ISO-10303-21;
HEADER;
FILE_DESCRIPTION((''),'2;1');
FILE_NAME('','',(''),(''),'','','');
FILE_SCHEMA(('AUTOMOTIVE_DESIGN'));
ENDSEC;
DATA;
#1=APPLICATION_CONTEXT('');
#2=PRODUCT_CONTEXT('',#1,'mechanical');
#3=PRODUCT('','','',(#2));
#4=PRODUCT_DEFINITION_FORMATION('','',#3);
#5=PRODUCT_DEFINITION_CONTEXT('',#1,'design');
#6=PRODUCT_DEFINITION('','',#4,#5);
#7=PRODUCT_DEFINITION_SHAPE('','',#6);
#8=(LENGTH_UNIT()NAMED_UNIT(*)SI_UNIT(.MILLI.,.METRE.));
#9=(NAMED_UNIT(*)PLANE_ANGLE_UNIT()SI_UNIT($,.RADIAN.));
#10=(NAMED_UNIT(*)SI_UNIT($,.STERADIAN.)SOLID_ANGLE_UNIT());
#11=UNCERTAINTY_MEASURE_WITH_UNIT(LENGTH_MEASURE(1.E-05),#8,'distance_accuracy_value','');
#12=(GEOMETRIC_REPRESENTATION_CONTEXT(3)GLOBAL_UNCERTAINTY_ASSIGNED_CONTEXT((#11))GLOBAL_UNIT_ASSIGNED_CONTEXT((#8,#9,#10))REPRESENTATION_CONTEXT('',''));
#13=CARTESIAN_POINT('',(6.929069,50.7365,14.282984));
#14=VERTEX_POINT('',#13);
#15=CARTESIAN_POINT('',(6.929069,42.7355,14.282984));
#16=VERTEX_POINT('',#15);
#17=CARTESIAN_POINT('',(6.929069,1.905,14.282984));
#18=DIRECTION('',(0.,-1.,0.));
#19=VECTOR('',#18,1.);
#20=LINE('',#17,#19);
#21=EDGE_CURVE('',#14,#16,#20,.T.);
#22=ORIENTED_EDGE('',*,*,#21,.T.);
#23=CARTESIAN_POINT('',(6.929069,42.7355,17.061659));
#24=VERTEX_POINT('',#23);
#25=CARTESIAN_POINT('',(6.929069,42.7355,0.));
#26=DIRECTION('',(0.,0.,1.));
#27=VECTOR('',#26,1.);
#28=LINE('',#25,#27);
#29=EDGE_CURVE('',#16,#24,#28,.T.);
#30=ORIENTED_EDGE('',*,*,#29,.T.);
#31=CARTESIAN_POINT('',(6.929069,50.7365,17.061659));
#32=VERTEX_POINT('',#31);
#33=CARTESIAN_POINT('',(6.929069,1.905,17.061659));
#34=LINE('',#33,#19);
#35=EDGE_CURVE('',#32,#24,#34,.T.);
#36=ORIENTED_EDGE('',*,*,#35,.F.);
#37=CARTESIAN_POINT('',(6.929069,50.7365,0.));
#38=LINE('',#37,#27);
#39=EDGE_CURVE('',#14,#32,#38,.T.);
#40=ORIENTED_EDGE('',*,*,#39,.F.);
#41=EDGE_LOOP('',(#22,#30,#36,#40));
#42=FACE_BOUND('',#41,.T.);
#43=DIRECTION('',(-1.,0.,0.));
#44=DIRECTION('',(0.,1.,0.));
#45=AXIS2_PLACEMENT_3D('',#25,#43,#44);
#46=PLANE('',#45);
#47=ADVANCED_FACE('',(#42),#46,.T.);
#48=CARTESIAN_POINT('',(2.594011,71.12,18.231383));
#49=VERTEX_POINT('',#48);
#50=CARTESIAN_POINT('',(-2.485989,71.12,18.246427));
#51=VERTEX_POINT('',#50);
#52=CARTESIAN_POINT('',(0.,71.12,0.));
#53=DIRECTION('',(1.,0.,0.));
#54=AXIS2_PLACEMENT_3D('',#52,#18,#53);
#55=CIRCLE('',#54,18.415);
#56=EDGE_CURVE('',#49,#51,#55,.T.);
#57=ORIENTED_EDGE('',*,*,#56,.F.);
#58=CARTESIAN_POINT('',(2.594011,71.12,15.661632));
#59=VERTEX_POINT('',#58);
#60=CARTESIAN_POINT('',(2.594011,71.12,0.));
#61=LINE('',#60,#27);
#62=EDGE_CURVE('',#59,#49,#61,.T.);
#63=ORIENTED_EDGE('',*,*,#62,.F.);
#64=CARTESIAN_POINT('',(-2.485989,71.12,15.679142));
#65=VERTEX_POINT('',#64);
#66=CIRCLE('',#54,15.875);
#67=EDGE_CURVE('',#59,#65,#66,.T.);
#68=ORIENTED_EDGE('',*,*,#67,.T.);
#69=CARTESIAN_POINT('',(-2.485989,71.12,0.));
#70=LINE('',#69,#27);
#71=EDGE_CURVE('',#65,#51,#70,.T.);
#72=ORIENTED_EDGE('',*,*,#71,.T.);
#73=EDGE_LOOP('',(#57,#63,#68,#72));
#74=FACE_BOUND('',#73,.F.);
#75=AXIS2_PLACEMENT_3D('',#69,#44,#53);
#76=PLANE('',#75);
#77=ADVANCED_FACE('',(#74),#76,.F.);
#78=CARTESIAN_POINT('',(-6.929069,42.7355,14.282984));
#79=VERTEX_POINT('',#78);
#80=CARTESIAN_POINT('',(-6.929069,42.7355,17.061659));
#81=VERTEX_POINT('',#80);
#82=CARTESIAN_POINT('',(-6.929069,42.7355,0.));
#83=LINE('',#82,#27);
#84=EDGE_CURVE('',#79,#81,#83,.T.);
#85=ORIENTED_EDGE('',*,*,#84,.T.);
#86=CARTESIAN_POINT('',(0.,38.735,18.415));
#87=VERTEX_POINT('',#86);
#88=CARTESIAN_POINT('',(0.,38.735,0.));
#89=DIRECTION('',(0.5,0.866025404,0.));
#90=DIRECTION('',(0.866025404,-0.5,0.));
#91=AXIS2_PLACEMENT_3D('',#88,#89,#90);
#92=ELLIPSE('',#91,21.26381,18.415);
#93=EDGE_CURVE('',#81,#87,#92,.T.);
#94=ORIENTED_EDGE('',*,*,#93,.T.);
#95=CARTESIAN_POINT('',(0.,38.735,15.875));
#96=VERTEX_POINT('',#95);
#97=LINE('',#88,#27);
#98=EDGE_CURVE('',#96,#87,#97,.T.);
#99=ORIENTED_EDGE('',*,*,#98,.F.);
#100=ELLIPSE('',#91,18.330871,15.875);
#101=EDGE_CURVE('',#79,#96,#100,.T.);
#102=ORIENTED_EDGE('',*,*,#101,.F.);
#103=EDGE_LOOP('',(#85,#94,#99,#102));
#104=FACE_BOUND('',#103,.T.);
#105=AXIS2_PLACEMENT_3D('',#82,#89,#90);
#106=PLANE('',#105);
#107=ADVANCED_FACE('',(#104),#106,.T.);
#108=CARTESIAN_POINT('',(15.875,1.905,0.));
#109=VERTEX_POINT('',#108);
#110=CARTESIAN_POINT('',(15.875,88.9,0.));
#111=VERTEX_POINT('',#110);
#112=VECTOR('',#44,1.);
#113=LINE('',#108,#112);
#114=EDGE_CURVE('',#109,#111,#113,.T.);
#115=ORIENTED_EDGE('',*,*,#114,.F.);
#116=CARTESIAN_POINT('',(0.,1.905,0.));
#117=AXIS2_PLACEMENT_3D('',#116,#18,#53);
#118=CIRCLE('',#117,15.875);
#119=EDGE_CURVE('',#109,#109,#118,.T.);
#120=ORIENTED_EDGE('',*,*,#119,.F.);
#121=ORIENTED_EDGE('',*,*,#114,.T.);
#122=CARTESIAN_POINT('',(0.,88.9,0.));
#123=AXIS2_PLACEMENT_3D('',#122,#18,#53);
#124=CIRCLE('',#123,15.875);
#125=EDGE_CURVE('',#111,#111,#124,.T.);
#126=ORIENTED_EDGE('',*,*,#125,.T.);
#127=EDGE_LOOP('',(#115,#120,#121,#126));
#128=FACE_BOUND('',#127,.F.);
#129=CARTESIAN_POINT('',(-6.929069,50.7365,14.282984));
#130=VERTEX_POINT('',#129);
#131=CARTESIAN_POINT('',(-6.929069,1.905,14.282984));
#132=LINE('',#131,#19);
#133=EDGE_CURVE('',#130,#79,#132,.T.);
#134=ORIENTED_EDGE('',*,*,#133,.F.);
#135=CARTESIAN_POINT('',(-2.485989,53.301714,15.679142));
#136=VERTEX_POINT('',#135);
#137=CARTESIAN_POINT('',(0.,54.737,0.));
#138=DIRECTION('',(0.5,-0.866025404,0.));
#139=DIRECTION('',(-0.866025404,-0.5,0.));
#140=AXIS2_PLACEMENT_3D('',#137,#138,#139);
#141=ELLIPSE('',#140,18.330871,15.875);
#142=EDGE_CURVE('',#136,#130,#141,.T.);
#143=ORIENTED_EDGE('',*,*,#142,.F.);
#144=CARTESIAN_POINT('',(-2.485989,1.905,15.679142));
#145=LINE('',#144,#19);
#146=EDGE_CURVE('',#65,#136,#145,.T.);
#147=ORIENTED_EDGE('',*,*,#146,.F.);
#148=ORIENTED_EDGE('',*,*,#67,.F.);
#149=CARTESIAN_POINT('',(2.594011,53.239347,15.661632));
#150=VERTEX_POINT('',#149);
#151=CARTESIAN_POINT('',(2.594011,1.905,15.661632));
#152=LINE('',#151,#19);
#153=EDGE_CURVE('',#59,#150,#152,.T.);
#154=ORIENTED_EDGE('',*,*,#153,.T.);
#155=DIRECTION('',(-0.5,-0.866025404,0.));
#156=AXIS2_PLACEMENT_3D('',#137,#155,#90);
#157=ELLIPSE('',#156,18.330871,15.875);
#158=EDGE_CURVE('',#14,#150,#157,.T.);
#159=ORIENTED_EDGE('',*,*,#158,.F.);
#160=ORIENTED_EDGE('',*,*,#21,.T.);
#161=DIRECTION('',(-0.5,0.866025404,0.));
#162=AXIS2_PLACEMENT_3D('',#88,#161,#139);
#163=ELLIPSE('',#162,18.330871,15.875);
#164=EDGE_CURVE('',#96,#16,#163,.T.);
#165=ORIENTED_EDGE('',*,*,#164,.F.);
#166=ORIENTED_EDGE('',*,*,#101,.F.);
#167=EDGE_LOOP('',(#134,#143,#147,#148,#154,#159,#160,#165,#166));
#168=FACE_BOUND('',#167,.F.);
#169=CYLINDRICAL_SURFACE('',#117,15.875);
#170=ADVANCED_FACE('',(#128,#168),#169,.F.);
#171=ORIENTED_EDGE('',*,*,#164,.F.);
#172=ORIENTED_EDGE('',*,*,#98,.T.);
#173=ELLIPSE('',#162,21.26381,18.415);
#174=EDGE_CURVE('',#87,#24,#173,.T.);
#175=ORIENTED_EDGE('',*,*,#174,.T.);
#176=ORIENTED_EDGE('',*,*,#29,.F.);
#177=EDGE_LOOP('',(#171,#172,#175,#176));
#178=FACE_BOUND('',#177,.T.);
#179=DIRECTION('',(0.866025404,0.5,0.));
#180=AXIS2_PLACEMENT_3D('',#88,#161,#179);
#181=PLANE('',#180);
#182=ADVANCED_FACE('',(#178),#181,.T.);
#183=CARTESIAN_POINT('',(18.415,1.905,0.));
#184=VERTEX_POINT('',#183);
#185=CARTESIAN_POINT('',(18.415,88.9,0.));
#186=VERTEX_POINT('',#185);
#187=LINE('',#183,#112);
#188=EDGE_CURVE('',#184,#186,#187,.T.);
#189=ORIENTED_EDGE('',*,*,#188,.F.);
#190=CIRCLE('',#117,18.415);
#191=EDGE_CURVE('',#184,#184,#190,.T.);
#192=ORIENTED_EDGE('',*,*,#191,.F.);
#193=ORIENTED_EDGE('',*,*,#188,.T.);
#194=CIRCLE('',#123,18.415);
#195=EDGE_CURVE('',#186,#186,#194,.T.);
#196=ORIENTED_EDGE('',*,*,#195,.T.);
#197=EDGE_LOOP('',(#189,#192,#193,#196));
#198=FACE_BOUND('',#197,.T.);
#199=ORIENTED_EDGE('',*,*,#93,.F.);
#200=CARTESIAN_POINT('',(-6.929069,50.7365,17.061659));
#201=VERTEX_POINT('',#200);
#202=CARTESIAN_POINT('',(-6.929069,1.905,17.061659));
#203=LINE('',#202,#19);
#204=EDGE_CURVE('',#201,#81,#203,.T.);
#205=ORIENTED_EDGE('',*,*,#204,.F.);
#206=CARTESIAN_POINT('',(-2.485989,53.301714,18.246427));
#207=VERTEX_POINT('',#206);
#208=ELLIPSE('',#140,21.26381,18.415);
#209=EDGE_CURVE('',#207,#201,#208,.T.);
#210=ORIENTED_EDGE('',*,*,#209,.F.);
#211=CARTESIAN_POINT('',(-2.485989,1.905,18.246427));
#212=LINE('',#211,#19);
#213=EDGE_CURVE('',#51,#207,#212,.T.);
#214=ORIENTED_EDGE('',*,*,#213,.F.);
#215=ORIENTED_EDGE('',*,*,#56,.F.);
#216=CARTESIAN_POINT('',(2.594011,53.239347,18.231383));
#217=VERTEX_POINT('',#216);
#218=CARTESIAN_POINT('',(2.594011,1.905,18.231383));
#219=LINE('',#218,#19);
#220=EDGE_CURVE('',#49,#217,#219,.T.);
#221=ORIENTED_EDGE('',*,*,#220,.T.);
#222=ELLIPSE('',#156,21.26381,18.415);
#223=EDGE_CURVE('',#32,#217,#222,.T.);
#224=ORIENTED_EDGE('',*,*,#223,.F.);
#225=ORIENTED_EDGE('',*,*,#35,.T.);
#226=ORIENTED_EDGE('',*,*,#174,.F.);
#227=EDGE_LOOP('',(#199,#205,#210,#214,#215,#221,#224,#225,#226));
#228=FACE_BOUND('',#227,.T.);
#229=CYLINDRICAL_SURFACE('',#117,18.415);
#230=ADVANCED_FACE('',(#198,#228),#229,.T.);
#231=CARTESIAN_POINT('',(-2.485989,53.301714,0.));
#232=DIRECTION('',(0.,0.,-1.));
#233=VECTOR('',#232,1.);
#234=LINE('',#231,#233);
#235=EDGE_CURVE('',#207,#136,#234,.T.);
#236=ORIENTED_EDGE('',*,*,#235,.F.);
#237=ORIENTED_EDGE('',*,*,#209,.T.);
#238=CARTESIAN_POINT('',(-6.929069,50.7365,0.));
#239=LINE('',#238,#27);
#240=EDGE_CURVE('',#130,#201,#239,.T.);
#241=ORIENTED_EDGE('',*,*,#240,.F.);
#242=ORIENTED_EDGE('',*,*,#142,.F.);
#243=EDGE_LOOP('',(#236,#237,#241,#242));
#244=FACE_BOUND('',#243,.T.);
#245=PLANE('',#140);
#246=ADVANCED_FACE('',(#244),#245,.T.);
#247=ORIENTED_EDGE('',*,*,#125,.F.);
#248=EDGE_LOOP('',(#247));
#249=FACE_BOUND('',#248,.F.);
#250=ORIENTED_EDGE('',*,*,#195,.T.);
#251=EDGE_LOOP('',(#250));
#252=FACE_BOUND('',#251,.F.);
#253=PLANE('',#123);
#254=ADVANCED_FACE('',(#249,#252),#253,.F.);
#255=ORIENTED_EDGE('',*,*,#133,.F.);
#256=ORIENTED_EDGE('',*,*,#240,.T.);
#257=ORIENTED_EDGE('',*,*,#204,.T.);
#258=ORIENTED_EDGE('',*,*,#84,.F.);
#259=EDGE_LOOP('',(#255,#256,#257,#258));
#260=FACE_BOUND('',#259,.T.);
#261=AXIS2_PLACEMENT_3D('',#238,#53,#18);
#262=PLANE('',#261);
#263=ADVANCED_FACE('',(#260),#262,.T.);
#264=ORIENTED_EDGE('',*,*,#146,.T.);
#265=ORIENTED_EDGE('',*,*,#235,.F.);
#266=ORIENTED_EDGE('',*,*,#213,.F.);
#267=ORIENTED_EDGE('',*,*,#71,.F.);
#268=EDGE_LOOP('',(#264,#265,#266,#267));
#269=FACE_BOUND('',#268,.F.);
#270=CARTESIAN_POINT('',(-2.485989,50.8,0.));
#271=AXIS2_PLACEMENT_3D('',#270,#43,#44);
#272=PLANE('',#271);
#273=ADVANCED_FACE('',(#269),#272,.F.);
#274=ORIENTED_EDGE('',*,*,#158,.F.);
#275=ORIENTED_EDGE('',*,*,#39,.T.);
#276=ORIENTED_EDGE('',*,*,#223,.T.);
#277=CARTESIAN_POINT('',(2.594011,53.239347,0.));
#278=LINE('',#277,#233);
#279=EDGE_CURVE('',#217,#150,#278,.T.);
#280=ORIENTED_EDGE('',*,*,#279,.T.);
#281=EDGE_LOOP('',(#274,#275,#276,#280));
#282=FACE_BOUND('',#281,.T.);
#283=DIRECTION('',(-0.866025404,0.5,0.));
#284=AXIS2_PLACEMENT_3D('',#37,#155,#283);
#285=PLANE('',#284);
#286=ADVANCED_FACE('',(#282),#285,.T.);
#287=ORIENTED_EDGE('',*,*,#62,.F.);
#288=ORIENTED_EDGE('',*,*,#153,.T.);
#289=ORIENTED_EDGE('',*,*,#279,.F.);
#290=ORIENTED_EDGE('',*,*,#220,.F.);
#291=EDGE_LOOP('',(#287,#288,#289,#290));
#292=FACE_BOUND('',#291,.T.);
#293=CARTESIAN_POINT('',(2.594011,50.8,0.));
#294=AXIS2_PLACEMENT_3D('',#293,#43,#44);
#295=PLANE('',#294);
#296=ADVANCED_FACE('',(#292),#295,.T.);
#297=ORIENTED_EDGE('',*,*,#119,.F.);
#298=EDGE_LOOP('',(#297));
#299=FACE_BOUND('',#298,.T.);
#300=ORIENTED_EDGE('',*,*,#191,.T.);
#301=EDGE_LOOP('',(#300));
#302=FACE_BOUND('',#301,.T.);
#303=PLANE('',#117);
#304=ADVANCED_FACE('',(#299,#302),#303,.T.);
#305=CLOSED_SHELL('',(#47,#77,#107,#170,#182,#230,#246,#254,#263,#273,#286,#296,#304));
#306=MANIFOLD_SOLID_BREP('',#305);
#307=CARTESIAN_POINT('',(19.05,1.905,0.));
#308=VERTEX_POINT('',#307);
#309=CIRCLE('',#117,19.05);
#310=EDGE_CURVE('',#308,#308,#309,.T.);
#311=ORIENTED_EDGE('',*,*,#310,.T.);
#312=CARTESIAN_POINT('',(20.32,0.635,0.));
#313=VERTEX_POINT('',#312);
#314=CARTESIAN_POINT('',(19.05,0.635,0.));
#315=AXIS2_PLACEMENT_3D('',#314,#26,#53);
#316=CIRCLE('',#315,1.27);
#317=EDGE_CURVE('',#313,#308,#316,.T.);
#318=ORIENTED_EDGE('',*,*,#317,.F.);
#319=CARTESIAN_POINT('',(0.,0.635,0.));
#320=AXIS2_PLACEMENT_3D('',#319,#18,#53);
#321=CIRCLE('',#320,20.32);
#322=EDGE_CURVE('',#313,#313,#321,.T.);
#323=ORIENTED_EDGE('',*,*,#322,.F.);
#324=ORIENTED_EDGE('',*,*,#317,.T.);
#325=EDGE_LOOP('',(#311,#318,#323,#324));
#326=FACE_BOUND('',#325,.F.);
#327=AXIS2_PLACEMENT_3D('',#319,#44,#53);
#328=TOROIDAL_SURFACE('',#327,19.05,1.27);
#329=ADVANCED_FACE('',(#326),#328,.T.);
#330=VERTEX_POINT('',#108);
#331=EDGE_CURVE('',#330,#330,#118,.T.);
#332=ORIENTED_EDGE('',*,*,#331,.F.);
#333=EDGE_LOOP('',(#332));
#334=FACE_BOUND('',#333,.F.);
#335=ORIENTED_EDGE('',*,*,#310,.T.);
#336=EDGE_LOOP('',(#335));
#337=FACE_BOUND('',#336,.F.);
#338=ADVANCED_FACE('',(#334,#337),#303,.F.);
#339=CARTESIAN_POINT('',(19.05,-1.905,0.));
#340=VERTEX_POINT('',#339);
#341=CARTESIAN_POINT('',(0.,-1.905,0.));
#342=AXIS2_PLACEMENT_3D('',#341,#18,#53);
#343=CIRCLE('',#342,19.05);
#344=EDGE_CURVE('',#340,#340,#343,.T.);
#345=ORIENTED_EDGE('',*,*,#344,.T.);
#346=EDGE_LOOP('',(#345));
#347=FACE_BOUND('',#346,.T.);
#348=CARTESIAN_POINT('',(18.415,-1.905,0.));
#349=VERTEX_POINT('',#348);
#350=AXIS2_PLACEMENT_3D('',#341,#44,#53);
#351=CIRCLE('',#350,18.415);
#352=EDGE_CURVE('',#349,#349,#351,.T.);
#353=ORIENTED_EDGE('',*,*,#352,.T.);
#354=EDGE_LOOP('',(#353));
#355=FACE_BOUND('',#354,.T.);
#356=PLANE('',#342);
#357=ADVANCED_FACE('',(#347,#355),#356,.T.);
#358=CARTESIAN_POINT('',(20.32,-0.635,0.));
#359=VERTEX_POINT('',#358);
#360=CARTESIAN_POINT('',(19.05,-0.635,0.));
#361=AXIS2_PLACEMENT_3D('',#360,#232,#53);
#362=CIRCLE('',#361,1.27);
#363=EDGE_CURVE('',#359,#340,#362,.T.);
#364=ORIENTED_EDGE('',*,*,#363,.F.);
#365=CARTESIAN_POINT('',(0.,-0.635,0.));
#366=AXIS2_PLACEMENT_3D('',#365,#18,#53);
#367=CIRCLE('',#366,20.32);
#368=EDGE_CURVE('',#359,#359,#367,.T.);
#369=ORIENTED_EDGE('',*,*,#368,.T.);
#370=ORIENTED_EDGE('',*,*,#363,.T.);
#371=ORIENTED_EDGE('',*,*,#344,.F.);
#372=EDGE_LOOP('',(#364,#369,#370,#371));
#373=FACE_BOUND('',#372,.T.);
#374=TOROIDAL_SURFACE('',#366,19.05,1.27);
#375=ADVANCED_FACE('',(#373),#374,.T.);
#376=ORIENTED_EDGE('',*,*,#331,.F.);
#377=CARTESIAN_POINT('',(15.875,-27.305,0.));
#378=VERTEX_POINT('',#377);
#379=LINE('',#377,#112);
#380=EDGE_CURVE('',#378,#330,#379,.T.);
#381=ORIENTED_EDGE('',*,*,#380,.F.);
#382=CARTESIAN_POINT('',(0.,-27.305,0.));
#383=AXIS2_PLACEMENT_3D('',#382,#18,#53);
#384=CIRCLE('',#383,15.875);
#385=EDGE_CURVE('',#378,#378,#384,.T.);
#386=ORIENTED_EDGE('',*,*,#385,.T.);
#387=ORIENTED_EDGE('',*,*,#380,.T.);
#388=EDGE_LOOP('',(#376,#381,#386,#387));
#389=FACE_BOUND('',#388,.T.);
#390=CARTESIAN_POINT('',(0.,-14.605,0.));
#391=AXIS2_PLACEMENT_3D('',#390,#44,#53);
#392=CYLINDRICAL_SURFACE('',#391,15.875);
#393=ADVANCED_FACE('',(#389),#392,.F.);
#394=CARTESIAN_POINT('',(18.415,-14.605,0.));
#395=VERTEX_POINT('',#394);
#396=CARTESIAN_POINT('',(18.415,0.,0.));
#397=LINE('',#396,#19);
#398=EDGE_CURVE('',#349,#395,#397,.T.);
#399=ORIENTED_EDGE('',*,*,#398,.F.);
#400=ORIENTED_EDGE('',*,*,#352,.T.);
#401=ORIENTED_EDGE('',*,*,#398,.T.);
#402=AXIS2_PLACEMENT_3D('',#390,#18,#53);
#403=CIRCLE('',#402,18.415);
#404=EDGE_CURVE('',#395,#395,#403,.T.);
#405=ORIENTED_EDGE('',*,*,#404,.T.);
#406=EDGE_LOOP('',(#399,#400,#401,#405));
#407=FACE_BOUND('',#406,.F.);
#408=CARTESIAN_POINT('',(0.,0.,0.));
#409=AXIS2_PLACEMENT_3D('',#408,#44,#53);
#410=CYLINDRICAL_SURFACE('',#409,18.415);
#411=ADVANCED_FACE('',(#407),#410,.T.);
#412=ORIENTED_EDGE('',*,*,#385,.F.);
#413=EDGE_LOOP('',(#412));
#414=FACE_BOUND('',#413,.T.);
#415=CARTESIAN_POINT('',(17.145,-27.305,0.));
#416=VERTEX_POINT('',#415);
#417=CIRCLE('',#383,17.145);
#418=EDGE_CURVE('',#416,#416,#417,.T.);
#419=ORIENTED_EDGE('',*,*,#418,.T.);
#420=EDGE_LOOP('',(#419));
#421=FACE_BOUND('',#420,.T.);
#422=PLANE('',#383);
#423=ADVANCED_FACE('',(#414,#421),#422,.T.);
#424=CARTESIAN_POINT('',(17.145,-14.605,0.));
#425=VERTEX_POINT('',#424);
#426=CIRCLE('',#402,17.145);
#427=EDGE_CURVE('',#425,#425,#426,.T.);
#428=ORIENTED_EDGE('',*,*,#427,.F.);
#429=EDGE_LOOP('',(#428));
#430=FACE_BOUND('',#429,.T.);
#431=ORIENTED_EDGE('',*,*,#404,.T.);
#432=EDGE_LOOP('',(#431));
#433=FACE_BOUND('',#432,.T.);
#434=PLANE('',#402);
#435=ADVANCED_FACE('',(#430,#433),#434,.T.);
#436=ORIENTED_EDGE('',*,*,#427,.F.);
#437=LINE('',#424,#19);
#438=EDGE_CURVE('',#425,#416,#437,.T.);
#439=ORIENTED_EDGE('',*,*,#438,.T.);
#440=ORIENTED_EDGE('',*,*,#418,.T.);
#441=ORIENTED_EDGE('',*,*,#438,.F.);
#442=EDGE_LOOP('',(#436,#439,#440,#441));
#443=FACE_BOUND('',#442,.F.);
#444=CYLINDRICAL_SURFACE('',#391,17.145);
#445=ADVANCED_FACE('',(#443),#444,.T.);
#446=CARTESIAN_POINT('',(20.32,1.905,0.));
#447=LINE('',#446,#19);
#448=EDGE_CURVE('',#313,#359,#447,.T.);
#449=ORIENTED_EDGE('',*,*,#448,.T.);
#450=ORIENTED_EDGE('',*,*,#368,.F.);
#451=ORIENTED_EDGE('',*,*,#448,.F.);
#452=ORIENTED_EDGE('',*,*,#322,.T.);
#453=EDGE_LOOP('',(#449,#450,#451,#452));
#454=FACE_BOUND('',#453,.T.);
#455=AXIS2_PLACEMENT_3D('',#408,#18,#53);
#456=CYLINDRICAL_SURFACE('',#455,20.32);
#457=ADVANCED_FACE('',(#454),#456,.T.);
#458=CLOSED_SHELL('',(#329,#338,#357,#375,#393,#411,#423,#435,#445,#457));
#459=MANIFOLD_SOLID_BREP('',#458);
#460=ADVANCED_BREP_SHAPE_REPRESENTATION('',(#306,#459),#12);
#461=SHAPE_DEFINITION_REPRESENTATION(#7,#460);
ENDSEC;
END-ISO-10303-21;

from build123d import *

# Parameters (mm, degrees)
F0_R      = 20.32
F0_R_2    = 15.875
F1_DEPTH  = 1.905
F2_R      = 1.27
F3_R      = 18.415
F3_R_2    = 15.875
F4_DEPTH  = 14.605
F6_START  = 14.605
F5_R      = 17.145
F5_R_2    = 15.875
F6_DEPTH  = 12.7
F8_START  = -1.905
F7_R      = 18.415
F7_R_2    = 15.875
F8_DEPTH  = 86.995
F10_W     = 5.08
F10_H     = 20.32
F11_DEPTH = 25.4


with BuildPart() as f1:
    # F0 (on Front) → F1 (new body, symmetric)
    with BuildSketch(Plane.XZ):
        Circle(F0_R)
        Circle(F0_R_2, mode=Mode.SUBTRACT)
    extrude(amount=F1_DEPTH, both=True)

    # F2
    f2_edges = [f1.edges().sort_by_distance(p)[0] for p in [
        (-20.32, 1.905, 0),
        (20.32, 0, 0),
        (-20.32, -1.905, 0),
    ]]
    fillet(f2_edges, radius=F2_R)

    # F3 (on Front) → F4 (join)
    with BuildSketch(Plane.XZ):
        Circle(F3_R)
        Circle(F3_R_2, mode=Mode.SUBTRACT)
    extrude(amount=F4_DEPTH)

    # F5 (on Front) → F6 (join)
    with BuildSketch(Plane.XZ.offset(F6_START)):
        Circle(F5_R)
        Circle(F5_R_2, mode=Mode.SUBTRACT)
    extrude(amount=F6_DEPTH)


with BuildPart() as f8:
    # F7 (on Front) → F8 (new body)
    with BuildSketch(Plane.XZ.offset(F8_START)):
        Circle(F7_R)
        Circle(F7_R_2, mode=Mode.SUBTRACT)
    extrude(amount=-F8_DEPTH)

    # F9 (on Top) + F10 (on Top) → F11 (cut)
    with BuildSketch(Plane.XY):
        Polygon((-6.9290692557, 42.7355), (0, 38.735), (6.9290692557, 42.7355), (6.9290692557, 50.7365), (0, 54.737), (-6.9290692557, 50.7365), align=None)
    with BuildSketch(Plane.XY):
        with Locations((0.054011005, 60.96)):
            Rectangle(F10_W, F10_H)
    extrude(amount=F11_DEPTH, mode=Mode.SUBTRACT)


solid = Compound([f1.part, f8.part])
